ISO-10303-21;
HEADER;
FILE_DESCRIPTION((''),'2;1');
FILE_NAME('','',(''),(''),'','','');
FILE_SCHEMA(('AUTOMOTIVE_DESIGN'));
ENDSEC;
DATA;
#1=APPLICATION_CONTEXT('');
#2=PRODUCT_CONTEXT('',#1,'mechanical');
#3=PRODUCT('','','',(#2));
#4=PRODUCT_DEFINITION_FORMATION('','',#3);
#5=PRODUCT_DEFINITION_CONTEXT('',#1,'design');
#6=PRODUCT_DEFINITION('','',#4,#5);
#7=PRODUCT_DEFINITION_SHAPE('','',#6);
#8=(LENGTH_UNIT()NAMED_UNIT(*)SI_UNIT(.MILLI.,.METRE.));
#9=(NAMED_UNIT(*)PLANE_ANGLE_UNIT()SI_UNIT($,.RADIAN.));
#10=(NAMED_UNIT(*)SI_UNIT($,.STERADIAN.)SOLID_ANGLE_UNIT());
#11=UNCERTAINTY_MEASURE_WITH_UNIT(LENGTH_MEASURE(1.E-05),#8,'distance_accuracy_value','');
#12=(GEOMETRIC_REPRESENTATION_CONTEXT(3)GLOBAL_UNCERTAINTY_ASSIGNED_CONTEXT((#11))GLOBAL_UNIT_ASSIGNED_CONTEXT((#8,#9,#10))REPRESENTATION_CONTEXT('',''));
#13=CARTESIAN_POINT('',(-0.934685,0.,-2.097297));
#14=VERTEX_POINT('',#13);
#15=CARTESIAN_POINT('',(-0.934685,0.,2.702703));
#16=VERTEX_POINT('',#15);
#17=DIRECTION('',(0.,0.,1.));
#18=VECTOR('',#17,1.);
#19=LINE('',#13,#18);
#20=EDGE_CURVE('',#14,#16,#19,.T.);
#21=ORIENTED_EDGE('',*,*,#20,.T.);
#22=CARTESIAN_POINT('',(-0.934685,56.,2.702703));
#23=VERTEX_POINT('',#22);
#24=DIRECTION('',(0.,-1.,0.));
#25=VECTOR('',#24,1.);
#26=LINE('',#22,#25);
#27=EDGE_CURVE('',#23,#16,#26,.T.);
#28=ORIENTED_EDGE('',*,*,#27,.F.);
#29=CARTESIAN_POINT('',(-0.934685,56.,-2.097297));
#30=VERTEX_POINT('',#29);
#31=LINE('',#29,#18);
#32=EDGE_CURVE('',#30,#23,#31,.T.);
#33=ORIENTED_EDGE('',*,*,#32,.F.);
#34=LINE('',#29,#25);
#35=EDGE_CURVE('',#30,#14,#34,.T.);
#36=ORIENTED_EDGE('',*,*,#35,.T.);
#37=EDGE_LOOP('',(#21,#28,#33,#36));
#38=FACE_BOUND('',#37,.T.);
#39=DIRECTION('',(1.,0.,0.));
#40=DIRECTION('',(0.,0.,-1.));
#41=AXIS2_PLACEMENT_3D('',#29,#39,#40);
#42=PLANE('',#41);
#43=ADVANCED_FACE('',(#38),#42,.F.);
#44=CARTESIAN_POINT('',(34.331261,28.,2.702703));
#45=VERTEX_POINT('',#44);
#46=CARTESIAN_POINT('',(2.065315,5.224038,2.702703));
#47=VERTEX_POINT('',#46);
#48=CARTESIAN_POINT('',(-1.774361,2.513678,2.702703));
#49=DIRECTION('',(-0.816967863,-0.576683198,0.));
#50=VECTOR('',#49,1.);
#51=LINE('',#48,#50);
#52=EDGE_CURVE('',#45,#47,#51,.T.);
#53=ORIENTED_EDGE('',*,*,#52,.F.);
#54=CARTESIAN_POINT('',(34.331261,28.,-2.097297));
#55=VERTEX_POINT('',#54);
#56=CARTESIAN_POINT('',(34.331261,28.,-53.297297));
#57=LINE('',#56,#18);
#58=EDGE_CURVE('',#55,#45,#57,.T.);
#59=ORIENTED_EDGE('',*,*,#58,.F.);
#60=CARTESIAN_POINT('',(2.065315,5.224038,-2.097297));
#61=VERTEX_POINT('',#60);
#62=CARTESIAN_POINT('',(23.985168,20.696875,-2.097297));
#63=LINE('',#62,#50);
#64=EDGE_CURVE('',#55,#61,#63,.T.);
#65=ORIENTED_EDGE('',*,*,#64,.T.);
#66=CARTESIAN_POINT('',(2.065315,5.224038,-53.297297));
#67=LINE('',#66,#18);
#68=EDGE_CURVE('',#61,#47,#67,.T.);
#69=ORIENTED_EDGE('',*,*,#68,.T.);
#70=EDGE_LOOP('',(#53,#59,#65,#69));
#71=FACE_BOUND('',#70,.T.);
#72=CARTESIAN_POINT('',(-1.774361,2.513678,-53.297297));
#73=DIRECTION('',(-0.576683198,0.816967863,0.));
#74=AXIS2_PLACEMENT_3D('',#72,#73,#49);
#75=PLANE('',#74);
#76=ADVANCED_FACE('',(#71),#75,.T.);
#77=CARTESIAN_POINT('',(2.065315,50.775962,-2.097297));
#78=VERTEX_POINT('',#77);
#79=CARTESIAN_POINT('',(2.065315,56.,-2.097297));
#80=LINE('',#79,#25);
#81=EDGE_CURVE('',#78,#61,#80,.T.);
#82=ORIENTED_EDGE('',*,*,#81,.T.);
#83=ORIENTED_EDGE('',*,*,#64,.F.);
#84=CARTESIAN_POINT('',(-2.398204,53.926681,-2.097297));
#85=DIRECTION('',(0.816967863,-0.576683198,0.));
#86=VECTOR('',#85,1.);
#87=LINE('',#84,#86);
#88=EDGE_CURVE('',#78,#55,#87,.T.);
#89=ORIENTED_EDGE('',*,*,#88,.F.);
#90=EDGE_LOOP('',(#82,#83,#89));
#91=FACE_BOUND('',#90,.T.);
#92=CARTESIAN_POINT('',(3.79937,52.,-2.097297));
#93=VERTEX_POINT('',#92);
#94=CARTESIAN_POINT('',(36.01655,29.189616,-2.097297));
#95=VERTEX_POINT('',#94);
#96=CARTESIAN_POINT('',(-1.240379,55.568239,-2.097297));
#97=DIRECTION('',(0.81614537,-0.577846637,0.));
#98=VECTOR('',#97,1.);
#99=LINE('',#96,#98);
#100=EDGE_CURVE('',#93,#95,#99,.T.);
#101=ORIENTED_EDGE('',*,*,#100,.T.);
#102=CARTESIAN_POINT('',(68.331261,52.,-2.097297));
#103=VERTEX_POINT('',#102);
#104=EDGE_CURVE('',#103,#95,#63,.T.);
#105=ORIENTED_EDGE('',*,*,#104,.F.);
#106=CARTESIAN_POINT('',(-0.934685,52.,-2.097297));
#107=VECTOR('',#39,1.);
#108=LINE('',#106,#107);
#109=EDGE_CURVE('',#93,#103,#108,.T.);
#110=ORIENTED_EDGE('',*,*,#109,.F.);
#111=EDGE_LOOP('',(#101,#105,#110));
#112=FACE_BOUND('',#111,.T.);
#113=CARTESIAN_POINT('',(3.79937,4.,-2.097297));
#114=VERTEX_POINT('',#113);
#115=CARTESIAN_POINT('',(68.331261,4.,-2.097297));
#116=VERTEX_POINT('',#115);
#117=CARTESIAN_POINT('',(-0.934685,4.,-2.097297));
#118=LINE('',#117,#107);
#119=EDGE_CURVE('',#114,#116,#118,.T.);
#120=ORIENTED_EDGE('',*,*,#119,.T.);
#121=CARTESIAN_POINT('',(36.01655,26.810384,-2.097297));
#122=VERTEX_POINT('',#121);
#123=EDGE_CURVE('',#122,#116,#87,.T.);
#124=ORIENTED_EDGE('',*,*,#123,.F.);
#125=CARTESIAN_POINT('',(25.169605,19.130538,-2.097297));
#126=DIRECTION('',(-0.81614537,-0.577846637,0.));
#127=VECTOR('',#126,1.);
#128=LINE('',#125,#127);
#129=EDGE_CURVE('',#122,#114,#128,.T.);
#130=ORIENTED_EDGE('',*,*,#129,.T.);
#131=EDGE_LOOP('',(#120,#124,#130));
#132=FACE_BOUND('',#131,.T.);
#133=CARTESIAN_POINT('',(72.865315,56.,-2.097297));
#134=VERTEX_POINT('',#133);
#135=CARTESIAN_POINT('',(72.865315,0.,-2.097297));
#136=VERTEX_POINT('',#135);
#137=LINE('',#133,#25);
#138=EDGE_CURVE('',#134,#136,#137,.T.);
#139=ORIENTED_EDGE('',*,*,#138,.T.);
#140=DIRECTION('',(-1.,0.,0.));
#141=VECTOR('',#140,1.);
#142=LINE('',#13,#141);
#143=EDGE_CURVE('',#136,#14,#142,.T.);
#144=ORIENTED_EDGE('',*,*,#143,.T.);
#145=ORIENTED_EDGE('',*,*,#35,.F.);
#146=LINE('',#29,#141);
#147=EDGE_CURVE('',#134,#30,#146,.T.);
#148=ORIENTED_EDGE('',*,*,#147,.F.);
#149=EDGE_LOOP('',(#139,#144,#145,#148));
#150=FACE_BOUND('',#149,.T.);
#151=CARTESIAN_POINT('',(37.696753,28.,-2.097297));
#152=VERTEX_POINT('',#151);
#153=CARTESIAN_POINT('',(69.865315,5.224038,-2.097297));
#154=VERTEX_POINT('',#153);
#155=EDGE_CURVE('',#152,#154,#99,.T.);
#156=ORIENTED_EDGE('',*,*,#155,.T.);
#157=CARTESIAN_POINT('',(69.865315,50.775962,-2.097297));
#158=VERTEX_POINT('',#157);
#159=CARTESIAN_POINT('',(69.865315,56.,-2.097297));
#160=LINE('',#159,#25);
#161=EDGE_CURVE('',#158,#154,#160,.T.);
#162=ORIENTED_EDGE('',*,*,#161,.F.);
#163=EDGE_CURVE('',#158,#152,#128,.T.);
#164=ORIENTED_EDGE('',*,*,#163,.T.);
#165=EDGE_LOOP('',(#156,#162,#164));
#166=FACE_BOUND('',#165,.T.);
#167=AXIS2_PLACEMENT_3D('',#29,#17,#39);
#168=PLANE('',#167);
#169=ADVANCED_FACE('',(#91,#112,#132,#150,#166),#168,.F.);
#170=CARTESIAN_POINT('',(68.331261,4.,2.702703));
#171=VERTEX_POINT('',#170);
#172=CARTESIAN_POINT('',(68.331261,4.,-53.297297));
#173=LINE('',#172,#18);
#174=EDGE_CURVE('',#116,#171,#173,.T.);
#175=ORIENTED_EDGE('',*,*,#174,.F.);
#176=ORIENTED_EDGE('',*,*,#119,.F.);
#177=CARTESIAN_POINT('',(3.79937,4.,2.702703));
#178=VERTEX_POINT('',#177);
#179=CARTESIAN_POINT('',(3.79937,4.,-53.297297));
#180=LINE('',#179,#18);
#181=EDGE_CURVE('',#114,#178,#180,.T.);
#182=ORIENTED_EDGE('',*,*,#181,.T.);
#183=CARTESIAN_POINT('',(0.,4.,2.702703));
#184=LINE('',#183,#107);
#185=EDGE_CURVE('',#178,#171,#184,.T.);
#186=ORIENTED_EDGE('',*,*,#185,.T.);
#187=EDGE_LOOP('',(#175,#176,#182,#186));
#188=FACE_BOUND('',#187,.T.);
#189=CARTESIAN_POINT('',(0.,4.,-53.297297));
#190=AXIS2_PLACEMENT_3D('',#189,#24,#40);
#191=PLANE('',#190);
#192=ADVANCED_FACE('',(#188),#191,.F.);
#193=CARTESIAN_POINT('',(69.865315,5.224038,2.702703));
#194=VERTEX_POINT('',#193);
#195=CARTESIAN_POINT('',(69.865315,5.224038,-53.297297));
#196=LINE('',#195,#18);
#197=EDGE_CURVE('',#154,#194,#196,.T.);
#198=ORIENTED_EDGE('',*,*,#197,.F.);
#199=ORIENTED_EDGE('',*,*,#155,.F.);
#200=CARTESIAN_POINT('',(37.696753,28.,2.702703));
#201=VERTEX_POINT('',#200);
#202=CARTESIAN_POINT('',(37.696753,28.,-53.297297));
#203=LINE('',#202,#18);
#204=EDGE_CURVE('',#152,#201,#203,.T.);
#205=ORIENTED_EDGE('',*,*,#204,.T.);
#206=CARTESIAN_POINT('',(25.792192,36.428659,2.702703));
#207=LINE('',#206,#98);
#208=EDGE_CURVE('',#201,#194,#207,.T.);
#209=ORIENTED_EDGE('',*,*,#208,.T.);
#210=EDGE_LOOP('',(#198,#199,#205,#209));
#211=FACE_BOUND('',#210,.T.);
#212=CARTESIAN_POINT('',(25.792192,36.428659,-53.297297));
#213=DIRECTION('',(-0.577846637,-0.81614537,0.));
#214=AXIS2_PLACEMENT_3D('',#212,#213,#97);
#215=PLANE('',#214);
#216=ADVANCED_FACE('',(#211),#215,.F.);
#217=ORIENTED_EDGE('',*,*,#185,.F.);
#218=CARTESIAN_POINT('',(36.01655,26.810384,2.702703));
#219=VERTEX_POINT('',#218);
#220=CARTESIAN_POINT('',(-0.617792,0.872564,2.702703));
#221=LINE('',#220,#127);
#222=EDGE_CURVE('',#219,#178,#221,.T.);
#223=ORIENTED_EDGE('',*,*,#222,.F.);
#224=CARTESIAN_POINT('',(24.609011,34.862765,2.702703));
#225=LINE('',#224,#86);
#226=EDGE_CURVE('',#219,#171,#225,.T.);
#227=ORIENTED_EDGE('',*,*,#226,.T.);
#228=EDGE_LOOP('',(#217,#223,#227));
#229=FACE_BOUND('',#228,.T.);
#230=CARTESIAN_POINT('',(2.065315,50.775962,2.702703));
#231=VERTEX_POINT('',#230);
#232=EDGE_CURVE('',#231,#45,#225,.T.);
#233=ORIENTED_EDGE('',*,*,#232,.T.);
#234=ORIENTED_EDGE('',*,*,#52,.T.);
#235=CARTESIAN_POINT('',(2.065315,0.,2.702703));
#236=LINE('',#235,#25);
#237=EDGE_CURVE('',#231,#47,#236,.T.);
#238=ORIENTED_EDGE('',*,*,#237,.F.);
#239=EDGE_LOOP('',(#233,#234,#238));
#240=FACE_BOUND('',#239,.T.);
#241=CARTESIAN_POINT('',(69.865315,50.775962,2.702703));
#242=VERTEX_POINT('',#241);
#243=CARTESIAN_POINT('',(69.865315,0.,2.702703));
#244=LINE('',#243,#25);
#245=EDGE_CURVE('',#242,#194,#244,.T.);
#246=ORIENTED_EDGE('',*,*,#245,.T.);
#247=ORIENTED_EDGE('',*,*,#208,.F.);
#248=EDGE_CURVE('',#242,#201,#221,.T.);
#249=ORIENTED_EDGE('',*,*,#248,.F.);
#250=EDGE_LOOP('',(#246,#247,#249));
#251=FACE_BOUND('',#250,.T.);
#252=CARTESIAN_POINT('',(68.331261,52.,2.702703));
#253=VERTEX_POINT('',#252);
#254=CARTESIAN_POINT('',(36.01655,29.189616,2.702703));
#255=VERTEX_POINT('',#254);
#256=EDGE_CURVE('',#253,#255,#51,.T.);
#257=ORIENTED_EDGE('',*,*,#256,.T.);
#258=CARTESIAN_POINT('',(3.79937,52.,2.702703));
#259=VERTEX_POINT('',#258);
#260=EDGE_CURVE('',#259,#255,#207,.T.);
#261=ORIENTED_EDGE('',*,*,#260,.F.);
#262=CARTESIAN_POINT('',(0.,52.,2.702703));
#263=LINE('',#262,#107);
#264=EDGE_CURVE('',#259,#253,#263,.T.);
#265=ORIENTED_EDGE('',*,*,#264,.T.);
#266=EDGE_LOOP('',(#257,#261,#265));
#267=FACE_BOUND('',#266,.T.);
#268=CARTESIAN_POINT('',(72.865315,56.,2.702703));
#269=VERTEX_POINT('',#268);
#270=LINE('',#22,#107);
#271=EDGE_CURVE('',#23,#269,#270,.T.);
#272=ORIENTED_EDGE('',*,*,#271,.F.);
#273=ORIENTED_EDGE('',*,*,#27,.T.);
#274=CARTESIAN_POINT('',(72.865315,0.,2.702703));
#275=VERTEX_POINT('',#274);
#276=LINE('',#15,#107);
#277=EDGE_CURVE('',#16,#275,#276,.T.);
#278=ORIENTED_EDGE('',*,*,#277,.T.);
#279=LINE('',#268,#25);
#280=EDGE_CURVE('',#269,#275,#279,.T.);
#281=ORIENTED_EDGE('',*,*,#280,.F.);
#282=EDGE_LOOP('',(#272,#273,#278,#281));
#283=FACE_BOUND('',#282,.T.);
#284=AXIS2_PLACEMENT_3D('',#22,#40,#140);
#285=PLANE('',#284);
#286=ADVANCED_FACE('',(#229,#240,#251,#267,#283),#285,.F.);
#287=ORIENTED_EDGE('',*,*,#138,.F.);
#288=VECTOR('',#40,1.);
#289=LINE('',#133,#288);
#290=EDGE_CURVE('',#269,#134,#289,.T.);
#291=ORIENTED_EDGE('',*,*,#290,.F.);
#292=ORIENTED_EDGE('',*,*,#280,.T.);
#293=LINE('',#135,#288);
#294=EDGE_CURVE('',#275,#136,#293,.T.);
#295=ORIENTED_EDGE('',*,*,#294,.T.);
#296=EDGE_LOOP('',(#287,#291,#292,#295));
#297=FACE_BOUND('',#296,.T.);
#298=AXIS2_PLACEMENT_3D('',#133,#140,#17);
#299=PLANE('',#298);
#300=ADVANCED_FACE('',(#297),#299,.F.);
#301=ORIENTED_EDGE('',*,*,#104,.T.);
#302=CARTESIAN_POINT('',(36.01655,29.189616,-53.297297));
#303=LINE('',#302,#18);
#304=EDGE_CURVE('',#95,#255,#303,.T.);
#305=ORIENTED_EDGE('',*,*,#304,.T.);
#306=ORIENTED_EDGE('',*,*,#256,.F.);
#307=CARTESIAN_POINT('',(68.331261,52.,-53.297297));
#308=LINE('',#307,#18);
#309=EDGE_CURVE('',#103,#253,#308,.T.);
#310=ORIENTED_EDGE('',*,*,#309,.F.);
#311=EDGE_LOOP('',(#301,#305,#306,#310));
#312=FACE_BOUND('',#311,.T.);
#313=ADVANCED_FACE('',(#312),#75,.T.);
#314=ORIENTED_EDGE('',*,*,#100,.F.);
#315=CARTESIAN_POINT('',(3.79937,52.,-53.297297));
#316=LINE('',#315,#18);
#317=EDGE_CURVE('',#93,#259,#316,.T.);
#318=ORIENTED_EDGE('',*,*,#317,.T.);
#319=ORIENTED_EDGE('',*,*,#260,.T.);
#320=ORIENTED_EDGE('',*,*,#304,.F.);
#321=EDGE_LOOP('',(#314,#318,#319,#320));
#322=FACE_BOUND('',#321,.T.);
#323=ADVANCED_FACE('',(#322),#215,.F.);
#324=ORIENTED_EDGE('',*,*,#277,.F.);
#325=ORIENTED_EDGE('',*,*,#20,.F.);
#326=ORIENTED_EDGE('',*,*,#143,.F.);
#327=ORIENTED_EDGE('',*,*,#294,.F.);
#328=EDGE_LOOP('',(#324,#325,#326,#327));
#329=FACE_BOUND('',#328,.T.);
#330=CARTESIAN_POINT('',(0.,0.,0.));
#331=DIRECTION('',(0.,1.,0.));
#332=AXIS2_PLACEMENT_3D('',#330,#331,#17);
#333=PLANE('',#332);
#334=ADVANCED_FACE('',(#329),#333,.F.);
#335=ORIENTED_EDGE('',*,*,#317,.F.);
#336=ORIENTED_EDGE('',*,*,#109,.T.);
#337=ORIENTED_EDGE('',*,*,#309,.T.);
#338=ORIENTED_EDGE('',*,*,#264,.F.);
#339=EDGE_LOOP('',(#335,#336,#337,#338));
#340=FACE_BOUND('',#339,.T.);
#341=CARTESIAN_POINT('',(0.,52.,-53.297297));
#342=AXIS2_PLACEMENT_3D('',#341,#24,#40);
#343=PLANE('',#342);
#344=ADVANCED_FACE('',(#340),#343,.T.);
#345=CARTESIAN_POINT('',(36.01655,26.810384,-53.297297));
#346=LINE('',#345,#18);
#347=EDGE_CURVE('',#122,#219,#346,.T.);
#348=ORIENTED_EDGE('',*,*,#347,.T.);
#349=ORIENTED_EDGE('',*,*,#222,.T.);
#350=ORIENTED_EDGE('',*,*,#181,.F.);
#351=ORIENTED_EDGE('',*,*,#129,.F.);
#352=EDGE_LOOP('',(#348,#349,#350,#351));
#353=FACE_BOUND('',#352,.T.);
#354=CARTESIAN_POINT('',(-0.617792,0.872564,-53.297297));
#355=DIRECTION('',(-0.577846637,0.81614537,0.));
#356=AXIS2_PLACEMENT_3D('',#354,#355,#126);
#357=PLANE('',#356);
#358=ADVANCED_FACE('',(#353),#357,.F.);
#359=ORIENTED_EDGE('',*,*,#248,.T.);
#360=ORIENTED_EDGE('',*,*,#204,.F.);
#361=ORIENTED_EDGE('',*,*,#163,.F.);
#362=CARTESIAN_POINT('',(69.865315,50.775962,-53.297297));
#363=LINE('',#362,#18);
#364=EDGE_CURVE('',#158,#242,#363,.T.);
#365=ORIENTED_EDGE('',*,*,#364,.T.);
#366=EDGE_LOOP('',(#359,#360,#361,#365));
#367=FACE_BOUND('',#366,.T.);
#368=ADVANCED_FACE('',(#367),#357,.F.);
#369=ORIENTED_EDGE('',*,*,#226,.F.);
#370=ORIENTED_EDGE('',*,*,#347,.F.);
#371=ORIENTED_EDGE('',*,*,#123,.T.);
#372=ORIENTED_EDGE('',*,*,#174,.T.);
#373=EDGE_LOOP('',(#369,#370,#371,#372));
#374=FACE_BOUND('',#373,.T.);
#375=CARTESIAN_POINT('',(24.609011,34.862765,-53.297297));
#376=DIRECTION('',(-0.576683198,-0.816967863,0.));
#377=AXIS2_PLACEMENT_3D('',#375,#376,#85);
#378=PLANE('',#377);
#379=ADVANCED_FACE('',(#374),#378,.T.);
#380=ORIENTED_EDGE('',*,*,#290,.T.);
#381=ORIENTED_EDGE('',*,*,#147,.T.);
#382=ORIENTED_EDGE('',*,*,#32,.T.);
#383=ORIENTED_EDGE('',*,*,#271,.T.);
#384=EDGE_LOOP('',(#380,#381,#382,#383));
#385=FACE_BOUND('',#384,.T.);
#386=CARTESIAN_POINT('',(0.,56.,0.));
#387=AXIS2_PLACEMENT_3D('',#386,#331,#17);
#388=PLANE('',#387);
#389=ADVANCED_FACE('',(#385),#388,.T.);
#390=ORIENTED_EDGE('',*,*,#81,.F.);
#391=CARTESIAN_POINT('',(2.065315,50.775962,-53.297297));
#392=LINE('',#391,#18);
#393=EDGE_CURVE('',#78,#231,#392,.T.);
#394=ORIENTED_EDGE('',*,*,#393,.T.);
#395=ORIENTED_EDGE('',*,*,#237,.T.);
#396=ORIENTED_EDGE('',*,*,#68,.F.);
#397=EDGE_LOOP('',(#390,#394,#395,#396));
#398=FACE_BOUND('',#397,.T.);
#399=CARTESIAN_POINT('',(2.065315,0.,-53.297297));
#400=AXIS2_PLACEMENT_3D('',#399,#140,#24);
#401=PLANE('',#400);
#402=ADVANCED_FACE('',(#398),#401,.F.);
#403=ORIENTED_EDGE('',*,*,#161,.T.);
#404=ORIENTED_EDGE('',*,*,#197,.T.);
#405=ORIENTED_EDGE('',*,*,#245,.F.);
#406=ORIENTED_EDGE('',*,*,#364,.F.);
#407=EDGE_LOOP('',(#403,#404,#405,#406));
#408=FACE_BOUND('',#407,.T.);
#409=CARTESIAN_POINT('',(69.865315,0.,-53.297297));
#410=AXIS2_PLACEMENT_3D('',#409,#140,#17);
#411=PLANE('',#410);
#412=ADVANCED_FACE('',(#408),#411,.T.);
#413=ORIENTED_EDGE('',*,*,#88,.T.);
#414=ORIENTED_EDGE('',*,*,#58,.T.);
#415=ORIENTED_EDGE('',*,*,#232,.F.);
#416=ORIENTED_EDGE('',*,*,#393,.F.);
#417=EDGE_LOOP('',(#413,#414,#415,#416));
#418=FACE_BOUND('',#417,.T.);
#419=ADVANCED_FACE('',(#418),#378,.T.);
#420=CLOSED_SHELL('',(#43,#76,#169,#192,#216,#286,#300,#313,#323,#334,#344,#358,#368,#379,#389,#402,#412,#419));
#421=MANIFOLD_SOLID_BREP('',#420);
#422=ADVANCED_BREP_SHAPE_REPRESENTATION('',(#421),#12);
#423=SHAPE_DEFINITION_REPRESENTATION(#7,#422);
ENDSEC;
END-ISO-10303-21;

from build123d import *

# Parameters (mm, degrees)
SKETCH1_W           = 73.8
SKETCH1_H           = 4.8
BOSS_EXTRUDE1_DEPTH = 56
CUT_EXTRUDE1_DEPTH  = 56


with BuildPart() as part:
    # Sketch1 → Boss-Extrude1 (new body)
    with BuildSketch(Plane(origin=(0, 0, 0), x_dir=(1, 0, 0), z_dir=(0, 1, 0))):
        with Locations((35.965315315, -0.302702703)):
            Rectangle(SKETCH1_W, SKETCH1_H)
    extrude(amount=BOSS_EXTRUDE1_DEPTH)

    # Sketch2 → Cut-Extrude1 (cut)
    with BuildSketch(Plane.XY.offset(2.702702703)):
        Polygon((68.331260978, 52), (3.799369653, 52), (36.016550131, 29.189615872), align=None)
        Polygon((34.331260978, 28), (2.065315315, 50.775961644), (2.065315315, 5.224038356), align=None)
        Polygon((36.016550131, 26.810384128), (3.799369653, 4), (68.331260978, 4), align=None)
        Polygon((69.865315315, 5.224038356), (69.865315315, 50.775961644), (37.696752842, 28), align=None)
    extrude(amount=-CUT_EXTRUDE1_DEPTH, mode=Mode.SUBTRACT)


solid = part.part
